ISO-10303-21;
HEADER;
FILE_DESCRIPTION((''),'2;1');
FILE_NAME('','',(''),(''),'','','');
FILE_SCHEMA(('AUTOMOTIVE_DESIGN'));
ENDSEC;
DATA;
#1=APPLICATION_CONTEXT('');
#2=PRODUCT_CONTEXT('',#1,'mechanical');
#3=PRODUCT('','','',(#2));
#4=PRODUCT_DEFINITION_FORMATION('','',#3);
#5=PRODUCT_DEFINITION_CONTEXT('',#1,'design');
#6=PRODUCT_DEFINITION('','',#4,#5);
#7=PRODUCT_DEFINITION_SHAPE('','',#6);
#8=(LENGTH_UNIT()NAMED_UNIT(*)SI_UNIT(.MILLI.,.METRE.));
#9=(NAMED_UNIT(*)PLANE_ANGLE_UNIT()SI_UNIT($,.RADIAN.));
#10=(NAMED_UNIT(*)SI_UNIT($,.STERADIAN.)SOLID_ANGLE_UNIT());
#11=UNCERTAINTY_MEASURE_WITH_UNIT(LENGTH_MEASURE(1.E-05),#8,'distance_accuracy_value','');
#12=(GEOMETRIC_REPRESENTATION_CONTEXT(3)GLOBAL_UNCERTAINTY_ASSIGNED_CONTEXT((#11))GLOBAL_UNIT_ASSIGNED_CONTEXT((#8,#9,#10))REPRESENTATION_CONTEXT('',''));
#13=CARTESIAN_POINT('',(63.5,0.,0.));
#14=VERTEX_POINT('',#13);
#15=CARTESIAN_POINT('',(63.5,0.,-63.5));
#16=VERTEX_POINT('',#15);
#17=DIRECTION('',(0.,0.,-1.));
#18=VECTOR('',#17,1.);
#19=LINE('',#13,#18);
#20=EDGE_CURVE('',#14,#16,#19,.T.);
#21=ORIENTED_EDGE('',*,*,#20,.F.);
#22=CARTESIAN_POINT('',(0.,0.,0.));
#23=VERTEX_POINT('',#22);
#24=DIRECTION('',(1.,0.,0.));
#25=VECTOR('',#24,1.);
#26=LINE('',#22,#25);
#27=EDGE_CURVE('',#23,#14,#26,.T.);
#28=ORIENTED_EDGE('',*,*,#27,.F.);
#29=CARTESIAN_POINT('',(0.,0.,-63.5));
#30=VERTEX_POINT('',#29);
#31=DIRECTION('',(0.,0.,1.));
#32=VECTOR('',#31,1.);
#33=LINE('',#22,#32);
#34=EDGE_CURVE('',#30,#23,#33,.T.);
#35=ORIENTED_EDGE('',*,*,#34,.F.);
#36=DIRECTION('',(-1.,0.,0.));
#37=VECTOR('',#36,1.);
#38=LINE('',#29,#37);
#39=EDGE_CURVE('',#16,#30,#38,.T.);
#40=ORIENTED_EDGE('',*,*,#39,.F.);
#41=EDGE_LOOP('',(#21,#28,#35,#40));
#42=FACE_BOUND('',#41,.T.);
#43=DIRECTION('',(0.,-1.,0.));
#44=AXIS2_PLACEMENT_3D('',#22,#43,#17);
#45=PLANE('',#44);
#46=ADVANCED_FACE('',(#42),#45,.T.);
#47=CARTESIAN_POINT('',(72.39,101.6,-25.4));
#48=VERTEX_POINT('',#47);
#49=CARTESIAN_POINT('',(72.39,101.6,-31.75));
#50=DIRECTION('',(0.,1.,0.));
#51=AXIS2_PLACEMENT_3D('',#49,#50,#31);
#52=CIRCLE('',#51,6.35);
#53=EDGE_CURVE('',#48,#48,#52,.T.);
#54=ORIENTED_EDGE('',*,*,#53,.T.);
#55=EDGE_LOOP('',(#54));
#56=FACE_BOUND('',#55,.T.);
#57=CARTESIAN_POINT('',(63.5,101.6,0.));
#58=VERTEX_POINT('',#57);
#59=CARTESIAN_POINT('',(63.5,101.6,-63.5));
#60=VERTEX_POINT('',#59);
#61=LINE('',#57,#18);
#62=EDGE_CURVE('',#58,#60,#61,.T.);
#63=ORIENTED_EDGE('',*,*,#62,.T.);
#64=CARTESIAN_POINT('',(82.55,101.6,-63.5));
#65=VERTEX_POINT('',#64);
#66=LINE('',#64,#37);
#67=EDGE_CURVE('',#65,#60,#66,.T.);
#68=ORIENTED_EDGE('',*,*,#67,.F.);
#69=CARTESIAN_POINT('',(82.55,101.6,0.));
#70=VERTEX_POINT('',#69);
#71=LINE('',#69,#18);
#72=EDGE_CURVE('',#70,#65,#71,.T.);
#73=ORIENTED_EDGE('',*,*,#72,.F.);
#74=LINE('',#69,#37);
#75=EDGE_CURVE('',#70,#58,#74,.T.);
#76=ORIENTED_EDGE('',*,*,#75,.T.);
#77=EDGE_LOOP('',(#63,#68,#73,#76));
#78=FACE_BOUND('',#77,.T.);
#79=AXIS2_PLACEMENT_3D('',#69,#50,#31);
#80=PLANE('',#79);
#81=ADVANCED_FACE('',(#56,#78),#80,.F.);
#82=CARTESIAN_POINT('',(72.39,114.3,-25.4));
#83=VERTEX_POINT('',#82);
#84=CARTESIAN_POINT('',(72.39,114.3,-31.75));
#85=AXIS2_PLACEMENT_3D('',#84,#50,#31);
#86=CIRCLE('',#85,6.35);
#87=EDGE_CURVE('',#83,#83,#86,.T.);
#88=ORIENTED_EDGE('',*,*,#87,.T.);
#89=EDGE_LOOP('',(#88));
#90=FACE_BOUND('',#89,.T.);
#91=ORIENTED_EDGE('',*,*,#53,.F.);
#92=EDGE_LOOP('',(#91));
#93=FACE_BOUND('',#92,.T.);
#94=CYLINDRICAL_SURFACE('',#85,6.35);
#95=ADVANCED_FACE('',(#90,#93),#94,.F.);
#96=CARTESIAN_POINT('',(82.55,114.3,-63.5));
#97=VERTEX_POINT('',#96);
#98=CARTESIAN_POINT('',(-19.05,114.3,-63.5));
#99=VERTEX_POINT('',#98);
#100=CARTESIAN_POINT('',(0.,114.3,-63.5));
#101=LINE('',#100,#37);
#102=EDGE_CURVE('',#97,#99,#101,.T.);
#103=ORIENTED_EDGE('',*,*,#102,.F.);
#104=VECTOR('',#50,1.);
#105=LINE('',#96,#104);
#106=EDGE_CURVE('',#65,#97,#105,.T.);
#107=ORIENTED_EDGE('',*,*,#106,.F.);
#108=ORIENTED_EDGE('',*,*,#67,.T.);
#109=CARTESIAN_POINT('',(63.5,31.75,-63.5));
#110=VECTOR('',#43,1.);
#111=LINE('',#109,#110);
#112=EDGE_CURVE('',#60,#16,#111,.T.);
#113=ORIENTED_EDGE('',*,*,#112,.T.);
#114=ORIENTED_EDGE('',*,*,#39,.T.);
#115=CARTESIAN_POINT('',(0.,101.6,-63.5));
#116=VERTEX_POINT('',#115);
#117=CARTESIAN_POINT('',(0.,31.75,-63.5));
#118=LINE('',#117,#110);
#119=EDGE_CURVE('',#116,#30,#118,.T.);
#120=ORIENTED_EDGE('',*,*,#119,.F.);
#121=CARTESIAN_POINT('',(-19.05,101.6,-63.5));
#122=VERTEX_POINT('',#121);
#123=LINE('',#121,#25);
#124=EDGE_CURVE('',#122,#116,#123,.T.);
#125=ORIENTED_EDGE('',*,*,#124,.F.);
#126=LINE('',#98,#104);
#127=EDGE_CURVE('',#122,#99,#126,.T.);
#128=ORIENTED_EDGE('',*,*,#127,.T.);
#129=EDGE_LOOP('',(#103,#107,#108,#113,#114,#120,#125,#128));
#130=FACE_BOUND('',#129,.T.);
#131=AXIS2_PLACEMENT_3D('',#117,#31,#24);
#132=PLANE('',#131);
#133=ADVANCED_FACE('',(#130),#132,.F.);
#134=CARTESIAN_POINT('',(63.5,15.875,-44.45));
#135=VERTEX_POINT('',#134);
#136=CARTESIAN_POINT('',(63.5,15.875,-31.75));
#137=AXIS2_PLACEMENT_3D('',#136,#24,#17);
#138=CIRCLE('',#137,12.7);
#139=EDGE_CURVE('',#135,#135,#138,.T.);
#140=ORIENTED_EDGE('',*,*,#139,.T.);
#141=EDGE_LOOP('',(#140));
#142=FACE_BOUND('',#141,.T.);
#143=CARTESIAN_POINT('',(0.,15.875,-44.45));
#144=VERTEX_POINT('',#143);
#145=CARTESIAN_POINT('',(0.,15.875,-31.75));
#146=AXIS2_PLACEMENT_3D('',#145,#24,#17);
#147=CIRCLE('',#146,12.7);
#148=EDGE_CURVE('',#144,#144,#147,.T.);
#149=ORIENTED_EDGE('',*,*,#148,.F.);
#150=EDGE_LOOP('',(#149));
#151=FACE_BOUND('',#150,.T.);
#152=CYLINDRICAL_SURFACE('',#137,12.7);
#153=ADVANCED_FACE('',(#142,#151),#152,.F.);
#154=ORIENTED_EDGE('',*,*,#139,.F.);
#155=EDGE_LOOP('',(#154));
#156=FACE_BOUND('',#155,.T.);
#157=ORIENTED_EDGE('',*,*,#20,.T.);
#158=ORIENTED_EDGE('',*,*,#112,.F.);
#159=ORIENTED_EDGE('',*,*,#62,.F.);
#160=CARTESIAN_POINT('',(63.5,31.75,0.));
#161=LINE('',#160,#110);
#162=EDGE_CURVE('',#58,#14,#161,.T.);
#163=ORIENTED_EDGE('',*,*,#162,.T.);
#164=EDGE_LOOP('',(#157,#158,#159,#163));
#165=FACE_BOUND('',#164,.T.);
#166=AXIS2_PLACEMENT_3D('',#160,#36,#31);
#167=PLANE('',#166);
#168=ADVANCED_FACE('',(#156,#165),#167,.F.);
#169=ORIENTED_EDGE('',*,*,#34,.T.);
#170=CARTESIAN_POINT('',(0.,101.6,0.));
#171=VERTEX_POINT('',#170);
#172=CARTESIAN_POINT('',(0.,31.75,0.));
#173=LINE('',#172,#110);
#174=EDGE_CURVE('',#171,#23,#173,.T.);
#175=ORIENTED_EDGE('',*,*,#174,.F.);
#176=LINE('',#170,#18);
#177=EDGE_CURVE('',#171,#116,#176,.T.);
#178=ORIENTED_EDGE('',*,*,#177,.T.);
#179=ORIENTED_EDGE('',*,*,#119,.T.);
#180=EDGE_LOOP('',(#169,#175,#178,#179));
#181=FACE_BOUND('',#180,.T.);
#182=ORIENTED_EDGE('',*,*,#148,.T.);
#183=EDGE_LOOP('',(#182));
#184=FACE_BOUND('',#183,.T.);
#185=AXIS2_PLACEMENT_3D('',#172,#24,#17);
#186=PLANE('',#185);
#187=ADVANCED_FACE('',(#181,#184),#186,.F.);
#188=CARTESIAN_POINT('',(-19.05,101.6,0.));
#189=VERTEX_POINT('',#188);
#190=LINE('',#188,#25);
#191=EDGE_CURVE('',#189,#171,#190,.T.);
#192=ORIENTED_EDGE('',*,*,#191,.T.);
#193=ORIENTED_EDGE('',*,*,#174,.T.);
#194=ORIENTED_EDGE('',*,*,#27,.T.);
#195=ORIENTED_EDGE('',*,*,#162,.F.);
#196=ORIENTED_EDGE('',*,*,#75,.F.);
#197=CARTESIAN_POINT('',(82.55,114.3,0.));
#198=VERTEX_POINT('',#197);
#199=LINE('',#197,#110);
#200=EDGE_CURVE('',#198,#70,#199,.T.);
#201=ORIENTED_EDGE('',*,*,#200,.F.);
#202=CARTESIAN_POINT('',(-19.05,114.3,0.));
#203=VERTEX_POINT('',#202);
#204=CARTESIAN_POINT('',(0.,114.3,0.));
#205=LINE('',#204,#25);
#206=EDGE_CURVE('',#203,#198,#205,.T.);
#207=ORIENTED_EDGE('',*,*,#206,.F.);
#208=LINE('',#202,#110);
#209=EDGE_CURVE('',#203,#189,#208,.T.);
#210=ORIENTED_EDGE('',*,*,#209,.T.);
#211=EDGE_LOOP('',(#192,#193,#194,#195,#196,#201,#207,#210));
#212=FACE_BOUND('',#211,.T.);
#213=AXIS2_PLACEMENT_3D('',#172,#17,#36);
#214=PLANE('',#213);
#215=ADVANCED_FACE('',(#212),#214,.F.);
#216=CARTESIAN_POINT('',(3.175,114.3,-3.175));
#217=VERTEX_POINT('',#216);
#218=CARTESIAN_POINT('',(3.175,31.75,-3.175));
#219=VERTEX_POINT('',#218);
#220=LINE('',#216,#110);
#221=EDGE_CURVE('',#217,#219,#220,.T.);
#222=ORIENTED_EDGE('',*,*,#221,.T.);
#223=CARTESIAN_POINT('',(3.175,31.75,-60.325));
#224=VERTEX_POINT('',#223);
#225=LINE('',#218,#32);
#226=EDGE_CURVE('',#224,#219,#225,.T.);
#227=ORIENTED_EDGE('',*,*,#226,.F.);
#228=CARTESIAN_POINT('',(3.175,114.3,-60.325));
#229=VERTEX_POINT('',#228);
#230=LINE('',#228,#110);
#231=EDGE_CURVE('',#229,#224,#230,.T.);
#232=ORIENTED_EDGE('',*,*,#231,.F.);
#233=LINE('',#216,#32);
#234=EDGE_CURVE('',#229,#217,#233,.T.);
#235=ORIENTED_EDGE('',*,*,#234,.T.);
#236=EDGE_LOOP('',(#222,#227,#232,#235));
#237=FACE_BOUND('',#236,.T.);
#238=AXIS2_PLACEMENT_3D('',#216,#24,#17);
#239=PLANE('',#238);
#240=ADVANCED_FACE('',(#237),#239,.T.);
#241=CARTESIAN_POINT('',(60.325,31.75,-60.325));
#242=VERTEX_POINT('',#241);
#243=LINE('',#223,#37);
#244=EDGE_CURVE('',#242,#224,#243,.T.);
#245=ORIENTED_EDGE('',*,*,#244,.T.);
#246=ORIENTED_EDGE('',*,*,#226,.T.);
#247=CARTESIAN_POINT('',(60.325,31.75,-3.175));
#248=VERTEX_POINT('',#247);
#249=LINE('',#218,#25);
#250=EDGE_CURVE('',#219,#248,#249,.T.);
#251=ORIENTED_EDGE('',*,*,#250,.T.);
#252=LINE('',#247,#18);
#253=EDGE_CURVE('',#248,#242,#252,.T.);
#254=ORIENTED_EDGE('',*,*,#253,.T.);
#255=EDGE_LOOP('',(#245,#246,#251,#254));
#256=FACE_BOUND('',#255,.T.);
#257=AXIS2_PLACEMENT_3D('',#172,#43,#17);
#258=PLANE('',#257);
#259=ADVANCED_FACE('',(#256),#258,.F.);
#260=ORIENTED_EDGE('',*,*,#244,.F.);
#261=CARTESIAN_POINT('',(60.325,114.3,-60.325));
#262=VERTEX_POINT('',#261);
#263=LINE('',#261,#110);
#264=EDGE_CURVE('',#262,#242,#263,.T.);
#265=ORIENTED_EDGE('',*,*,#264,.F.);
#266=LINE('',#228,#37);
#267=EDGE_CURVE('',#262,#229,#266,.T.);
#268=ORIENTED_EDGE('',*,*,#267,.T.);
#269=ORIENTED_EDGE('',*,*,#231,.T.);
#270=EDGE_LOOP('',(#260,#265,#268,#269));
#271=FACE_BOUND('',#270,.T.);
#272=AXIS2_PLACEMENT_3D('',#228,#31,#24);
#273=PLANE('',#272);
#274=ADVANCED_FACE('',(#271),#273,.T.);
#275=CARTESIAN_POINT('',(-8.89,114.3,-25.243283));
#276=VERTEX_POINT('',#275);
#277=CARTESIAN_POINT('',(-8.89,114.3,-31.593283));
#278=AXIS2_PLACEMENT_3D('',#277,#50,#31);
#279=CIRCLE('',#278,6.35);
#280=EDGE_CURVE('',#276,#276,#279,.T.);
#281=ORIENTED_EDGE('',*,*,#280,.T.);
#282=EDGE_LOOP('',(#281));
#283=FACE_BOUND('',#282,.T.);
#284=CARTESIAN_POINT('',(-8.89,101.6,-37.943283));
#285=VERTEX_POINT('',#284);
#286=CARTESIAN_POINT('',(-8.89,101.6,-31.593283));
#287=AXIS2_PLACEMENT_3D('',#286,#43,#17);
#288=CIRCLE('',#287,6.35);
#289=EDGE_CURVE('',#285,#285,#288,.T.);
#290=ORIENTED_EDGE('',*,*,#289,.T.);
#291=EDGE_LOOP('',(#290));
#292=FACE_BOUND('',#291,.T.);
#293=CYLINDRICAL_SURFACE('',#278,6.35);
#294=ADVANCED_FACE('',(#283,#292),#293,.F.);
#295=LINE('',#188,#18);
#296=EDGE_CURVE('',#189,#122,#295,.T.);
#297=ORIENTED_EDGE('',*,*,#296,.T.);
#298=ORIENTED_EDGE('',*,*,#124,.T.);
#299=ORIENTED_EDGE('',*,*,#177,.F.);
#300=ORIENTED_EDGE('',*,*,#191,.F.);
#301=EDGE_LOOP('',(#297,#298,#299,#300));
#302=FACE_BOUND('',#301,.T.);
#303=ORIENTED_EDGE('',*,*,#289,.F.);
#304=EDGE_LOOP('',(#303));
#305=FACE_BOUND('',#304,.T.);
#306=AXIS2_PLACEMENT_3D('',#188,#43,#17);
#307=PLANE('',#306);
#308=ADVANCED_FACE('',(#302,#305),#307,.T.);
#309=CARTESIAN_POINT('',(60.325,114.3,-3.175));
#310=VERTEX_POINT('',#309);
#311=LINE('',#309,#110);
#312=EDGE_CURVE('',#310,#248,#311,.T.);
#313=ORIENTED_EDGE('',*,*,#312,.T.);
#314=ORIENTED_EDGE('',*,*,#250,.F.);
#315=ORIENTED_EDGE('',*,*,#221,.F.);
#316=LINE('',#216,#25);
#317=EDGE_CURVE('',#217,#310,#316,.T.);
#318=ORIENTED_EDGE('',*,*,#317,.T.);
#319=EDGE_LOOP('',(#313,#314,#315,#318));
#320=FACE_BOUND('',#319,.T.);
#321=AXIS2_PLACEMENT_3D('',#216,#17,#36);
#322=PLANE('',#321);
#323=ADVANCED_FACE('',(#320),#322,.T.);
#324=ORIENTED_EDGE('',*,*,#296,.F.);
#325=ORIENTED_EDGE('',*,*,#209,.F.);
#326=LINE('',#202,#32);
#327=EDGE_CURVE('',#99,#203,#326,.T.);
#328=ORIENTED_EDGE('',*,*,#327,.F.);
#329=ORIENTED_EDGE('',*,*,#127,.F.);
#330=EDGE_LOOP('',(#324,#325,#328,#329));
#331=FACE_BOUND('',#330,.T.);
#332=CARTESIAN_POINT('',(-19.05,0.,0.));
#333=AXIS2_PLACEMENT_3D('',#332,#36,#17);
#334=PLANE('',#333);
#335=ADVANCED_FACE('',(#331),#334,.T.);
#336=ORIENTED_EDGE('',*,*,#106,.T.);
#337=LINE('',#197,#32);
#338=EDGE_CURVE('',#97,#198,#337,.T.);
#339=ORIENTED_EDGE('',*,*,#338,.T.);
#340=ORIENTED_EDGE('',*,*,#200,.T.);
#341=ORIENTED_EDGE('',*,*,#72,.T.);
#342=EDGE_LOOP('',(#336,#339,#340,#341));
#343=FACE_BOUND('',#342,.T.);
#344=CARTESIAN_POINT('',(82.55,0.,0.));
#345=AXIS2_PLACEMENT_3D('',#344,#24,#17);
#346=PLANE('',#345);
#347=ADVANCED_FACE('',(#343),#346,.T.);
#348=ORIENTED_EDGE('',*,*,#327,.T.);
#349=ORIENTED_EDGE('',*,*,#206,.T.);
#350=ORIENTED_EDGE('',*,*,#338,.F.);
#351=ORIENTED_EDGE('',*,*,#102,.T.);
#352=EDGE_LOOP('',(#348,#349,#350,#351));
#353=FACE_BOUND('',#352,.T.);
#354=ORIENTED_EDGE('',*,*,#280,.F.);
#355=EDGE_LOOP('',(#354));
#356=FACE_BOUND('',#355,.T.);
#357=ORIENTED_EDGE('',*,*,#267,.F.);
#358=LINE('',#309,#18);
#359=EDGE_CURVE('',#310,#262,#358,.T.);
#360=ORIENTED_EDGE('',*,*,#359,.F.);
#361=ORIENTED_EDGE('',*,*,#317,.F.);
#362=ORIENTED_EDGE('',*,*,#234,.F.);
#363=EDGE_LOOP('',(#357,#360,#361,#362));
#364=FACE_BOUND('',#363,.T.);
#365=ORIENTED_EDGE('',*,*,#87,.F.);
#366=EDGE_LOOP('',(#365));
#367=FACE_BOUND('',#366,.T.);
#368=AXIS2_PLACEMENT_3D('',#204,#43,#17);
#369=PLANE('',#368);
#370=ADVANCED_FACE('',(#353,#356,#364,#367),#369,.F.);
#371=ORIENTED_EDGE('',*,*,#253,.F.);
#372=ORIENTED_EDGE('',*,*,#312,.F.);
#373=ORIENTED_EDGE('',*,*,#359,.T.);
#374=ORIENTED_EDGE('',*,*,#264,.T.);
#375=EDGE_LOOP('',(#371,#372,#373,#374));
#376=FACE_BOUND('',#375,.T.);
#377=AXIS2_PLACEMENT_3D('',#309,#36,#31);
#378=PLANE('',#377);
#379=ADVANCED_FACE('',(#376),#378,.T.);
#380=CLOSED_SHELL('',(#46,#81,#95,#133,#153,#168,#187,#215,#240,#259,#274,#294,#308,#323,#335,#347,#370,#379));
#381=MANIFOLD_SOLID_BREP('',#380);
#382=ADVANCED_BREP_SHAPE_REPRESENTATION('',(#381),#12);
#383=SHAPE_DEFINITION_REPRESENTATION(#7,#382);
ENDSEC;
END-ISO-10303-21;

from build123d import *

# Parameters (mm, degrees)
SKETCH1_W                      = 63.5
SKETCH1_H                      = 63.5
BOSS_EXTRUDE1_DEPTH            = 31.75
SKETCH2_W                      = 63.5
SKETCH2_H                      = 63.5
SKETCH2_W_2                    = 57.15
SKETCH2_H_2                    = 57.15
BOSS_EXTRUDE2_DEPTH            = 82.55
SKETCH3_W                      = 63.5
SKETCH3_H                      = 12.7
BOSS_EXTRUDE3_DEPTH            = 19.05
F_1_1_DIAMETER_HOLE2_D         = 25.4
F_1_1_DIAMETER_HOLE2_DEPTH     = 63.5
F_1_2_0_5_DIAMETER_HOLE1_D     = 12.7
F_1_2_0_5_DIAMETER_HOLE1_DEPTH = 12.7


with BuildPart() as part:
    # Sketch1 → Boss-Extrude1 (new body)
    with BuildSketch(Plane(origin=(0, 0, 0), x_dir=(1, 0, 0), z_dir=(0, 1, 0))):
        with Locations((31.75, 31.75)):
            Rectangle(SKETCH1_W, SKETCH1_H)
    extrude(amount=BOSS_EXTRUDE1_DEPTH)

    # Sketch2 → Boss-Extrude2 (add)
    with BuildSketch(Plane(origin=(0, 31.75, 0), x_dir=(1, 0, 0), z_dir=(0, 1, 0))):
        with Locations((31.75, 31.75)):
            Rectangle(SKETCH2_W, SKETCH2_H)
        with Locations((31.75, 31.75)):
            Rectangle(SKETCH2_W_2, SKETCH2_H_2, mode=Mode.SUBTRACT)
    extrude(amount=BOSS_EXTRUDE2_DEPTH)

    # Sketch3 → Boss-Extrude3 (add)
    with BuildSketch(Plane(origin=(63.5, 0, 0), x_dir=(0, 0, -1), z_dir=(1, 0, 0))):
        with Locations((31.75, 107.95)):
            Rectangle(SKETCH3_W, SKETCH3_H)
    boss_extrude3 = extrude(amount=BOSS_EXTRUDE3_DEPTH)

    # Mirror2: Boss-Extrude3 across plane
    add(boss_extrude3.mirror(Plane(origin=(31.75, 0, 0), x_dir=(0, 0, 1), z_dir=(1, 0, 0))))

    # 1 (1) Diameter Hole2
    with Locations(Plane(origin=(63.5, 0, 0), x_dir=(0, 0, -1), z_dir=(1, 0, 0))):
        with Locations((31.75, 15.875)):
            Hole(F_1_1_DIAMETER_HOLE2_D / 2, depth=F_1_1_DIAMETER_HOLE2_DEPTH)

    # 1/2 (0.5) Diameter Hole1
    with Locations(Plane(origin=(0, 114.3, 0), x_dir=(1, 0, 0), z_dir=(0, 1, 0))):
        with Locations((72.39, 31.75), (-8.89, 31.593283178)):
            Hole(F_1_2_0_5_DIAMETER_HOLE1_D / 2, depth=F_1_2_0_5_DIAMETER_HOLE1_DEPTH)


solid = part.part
